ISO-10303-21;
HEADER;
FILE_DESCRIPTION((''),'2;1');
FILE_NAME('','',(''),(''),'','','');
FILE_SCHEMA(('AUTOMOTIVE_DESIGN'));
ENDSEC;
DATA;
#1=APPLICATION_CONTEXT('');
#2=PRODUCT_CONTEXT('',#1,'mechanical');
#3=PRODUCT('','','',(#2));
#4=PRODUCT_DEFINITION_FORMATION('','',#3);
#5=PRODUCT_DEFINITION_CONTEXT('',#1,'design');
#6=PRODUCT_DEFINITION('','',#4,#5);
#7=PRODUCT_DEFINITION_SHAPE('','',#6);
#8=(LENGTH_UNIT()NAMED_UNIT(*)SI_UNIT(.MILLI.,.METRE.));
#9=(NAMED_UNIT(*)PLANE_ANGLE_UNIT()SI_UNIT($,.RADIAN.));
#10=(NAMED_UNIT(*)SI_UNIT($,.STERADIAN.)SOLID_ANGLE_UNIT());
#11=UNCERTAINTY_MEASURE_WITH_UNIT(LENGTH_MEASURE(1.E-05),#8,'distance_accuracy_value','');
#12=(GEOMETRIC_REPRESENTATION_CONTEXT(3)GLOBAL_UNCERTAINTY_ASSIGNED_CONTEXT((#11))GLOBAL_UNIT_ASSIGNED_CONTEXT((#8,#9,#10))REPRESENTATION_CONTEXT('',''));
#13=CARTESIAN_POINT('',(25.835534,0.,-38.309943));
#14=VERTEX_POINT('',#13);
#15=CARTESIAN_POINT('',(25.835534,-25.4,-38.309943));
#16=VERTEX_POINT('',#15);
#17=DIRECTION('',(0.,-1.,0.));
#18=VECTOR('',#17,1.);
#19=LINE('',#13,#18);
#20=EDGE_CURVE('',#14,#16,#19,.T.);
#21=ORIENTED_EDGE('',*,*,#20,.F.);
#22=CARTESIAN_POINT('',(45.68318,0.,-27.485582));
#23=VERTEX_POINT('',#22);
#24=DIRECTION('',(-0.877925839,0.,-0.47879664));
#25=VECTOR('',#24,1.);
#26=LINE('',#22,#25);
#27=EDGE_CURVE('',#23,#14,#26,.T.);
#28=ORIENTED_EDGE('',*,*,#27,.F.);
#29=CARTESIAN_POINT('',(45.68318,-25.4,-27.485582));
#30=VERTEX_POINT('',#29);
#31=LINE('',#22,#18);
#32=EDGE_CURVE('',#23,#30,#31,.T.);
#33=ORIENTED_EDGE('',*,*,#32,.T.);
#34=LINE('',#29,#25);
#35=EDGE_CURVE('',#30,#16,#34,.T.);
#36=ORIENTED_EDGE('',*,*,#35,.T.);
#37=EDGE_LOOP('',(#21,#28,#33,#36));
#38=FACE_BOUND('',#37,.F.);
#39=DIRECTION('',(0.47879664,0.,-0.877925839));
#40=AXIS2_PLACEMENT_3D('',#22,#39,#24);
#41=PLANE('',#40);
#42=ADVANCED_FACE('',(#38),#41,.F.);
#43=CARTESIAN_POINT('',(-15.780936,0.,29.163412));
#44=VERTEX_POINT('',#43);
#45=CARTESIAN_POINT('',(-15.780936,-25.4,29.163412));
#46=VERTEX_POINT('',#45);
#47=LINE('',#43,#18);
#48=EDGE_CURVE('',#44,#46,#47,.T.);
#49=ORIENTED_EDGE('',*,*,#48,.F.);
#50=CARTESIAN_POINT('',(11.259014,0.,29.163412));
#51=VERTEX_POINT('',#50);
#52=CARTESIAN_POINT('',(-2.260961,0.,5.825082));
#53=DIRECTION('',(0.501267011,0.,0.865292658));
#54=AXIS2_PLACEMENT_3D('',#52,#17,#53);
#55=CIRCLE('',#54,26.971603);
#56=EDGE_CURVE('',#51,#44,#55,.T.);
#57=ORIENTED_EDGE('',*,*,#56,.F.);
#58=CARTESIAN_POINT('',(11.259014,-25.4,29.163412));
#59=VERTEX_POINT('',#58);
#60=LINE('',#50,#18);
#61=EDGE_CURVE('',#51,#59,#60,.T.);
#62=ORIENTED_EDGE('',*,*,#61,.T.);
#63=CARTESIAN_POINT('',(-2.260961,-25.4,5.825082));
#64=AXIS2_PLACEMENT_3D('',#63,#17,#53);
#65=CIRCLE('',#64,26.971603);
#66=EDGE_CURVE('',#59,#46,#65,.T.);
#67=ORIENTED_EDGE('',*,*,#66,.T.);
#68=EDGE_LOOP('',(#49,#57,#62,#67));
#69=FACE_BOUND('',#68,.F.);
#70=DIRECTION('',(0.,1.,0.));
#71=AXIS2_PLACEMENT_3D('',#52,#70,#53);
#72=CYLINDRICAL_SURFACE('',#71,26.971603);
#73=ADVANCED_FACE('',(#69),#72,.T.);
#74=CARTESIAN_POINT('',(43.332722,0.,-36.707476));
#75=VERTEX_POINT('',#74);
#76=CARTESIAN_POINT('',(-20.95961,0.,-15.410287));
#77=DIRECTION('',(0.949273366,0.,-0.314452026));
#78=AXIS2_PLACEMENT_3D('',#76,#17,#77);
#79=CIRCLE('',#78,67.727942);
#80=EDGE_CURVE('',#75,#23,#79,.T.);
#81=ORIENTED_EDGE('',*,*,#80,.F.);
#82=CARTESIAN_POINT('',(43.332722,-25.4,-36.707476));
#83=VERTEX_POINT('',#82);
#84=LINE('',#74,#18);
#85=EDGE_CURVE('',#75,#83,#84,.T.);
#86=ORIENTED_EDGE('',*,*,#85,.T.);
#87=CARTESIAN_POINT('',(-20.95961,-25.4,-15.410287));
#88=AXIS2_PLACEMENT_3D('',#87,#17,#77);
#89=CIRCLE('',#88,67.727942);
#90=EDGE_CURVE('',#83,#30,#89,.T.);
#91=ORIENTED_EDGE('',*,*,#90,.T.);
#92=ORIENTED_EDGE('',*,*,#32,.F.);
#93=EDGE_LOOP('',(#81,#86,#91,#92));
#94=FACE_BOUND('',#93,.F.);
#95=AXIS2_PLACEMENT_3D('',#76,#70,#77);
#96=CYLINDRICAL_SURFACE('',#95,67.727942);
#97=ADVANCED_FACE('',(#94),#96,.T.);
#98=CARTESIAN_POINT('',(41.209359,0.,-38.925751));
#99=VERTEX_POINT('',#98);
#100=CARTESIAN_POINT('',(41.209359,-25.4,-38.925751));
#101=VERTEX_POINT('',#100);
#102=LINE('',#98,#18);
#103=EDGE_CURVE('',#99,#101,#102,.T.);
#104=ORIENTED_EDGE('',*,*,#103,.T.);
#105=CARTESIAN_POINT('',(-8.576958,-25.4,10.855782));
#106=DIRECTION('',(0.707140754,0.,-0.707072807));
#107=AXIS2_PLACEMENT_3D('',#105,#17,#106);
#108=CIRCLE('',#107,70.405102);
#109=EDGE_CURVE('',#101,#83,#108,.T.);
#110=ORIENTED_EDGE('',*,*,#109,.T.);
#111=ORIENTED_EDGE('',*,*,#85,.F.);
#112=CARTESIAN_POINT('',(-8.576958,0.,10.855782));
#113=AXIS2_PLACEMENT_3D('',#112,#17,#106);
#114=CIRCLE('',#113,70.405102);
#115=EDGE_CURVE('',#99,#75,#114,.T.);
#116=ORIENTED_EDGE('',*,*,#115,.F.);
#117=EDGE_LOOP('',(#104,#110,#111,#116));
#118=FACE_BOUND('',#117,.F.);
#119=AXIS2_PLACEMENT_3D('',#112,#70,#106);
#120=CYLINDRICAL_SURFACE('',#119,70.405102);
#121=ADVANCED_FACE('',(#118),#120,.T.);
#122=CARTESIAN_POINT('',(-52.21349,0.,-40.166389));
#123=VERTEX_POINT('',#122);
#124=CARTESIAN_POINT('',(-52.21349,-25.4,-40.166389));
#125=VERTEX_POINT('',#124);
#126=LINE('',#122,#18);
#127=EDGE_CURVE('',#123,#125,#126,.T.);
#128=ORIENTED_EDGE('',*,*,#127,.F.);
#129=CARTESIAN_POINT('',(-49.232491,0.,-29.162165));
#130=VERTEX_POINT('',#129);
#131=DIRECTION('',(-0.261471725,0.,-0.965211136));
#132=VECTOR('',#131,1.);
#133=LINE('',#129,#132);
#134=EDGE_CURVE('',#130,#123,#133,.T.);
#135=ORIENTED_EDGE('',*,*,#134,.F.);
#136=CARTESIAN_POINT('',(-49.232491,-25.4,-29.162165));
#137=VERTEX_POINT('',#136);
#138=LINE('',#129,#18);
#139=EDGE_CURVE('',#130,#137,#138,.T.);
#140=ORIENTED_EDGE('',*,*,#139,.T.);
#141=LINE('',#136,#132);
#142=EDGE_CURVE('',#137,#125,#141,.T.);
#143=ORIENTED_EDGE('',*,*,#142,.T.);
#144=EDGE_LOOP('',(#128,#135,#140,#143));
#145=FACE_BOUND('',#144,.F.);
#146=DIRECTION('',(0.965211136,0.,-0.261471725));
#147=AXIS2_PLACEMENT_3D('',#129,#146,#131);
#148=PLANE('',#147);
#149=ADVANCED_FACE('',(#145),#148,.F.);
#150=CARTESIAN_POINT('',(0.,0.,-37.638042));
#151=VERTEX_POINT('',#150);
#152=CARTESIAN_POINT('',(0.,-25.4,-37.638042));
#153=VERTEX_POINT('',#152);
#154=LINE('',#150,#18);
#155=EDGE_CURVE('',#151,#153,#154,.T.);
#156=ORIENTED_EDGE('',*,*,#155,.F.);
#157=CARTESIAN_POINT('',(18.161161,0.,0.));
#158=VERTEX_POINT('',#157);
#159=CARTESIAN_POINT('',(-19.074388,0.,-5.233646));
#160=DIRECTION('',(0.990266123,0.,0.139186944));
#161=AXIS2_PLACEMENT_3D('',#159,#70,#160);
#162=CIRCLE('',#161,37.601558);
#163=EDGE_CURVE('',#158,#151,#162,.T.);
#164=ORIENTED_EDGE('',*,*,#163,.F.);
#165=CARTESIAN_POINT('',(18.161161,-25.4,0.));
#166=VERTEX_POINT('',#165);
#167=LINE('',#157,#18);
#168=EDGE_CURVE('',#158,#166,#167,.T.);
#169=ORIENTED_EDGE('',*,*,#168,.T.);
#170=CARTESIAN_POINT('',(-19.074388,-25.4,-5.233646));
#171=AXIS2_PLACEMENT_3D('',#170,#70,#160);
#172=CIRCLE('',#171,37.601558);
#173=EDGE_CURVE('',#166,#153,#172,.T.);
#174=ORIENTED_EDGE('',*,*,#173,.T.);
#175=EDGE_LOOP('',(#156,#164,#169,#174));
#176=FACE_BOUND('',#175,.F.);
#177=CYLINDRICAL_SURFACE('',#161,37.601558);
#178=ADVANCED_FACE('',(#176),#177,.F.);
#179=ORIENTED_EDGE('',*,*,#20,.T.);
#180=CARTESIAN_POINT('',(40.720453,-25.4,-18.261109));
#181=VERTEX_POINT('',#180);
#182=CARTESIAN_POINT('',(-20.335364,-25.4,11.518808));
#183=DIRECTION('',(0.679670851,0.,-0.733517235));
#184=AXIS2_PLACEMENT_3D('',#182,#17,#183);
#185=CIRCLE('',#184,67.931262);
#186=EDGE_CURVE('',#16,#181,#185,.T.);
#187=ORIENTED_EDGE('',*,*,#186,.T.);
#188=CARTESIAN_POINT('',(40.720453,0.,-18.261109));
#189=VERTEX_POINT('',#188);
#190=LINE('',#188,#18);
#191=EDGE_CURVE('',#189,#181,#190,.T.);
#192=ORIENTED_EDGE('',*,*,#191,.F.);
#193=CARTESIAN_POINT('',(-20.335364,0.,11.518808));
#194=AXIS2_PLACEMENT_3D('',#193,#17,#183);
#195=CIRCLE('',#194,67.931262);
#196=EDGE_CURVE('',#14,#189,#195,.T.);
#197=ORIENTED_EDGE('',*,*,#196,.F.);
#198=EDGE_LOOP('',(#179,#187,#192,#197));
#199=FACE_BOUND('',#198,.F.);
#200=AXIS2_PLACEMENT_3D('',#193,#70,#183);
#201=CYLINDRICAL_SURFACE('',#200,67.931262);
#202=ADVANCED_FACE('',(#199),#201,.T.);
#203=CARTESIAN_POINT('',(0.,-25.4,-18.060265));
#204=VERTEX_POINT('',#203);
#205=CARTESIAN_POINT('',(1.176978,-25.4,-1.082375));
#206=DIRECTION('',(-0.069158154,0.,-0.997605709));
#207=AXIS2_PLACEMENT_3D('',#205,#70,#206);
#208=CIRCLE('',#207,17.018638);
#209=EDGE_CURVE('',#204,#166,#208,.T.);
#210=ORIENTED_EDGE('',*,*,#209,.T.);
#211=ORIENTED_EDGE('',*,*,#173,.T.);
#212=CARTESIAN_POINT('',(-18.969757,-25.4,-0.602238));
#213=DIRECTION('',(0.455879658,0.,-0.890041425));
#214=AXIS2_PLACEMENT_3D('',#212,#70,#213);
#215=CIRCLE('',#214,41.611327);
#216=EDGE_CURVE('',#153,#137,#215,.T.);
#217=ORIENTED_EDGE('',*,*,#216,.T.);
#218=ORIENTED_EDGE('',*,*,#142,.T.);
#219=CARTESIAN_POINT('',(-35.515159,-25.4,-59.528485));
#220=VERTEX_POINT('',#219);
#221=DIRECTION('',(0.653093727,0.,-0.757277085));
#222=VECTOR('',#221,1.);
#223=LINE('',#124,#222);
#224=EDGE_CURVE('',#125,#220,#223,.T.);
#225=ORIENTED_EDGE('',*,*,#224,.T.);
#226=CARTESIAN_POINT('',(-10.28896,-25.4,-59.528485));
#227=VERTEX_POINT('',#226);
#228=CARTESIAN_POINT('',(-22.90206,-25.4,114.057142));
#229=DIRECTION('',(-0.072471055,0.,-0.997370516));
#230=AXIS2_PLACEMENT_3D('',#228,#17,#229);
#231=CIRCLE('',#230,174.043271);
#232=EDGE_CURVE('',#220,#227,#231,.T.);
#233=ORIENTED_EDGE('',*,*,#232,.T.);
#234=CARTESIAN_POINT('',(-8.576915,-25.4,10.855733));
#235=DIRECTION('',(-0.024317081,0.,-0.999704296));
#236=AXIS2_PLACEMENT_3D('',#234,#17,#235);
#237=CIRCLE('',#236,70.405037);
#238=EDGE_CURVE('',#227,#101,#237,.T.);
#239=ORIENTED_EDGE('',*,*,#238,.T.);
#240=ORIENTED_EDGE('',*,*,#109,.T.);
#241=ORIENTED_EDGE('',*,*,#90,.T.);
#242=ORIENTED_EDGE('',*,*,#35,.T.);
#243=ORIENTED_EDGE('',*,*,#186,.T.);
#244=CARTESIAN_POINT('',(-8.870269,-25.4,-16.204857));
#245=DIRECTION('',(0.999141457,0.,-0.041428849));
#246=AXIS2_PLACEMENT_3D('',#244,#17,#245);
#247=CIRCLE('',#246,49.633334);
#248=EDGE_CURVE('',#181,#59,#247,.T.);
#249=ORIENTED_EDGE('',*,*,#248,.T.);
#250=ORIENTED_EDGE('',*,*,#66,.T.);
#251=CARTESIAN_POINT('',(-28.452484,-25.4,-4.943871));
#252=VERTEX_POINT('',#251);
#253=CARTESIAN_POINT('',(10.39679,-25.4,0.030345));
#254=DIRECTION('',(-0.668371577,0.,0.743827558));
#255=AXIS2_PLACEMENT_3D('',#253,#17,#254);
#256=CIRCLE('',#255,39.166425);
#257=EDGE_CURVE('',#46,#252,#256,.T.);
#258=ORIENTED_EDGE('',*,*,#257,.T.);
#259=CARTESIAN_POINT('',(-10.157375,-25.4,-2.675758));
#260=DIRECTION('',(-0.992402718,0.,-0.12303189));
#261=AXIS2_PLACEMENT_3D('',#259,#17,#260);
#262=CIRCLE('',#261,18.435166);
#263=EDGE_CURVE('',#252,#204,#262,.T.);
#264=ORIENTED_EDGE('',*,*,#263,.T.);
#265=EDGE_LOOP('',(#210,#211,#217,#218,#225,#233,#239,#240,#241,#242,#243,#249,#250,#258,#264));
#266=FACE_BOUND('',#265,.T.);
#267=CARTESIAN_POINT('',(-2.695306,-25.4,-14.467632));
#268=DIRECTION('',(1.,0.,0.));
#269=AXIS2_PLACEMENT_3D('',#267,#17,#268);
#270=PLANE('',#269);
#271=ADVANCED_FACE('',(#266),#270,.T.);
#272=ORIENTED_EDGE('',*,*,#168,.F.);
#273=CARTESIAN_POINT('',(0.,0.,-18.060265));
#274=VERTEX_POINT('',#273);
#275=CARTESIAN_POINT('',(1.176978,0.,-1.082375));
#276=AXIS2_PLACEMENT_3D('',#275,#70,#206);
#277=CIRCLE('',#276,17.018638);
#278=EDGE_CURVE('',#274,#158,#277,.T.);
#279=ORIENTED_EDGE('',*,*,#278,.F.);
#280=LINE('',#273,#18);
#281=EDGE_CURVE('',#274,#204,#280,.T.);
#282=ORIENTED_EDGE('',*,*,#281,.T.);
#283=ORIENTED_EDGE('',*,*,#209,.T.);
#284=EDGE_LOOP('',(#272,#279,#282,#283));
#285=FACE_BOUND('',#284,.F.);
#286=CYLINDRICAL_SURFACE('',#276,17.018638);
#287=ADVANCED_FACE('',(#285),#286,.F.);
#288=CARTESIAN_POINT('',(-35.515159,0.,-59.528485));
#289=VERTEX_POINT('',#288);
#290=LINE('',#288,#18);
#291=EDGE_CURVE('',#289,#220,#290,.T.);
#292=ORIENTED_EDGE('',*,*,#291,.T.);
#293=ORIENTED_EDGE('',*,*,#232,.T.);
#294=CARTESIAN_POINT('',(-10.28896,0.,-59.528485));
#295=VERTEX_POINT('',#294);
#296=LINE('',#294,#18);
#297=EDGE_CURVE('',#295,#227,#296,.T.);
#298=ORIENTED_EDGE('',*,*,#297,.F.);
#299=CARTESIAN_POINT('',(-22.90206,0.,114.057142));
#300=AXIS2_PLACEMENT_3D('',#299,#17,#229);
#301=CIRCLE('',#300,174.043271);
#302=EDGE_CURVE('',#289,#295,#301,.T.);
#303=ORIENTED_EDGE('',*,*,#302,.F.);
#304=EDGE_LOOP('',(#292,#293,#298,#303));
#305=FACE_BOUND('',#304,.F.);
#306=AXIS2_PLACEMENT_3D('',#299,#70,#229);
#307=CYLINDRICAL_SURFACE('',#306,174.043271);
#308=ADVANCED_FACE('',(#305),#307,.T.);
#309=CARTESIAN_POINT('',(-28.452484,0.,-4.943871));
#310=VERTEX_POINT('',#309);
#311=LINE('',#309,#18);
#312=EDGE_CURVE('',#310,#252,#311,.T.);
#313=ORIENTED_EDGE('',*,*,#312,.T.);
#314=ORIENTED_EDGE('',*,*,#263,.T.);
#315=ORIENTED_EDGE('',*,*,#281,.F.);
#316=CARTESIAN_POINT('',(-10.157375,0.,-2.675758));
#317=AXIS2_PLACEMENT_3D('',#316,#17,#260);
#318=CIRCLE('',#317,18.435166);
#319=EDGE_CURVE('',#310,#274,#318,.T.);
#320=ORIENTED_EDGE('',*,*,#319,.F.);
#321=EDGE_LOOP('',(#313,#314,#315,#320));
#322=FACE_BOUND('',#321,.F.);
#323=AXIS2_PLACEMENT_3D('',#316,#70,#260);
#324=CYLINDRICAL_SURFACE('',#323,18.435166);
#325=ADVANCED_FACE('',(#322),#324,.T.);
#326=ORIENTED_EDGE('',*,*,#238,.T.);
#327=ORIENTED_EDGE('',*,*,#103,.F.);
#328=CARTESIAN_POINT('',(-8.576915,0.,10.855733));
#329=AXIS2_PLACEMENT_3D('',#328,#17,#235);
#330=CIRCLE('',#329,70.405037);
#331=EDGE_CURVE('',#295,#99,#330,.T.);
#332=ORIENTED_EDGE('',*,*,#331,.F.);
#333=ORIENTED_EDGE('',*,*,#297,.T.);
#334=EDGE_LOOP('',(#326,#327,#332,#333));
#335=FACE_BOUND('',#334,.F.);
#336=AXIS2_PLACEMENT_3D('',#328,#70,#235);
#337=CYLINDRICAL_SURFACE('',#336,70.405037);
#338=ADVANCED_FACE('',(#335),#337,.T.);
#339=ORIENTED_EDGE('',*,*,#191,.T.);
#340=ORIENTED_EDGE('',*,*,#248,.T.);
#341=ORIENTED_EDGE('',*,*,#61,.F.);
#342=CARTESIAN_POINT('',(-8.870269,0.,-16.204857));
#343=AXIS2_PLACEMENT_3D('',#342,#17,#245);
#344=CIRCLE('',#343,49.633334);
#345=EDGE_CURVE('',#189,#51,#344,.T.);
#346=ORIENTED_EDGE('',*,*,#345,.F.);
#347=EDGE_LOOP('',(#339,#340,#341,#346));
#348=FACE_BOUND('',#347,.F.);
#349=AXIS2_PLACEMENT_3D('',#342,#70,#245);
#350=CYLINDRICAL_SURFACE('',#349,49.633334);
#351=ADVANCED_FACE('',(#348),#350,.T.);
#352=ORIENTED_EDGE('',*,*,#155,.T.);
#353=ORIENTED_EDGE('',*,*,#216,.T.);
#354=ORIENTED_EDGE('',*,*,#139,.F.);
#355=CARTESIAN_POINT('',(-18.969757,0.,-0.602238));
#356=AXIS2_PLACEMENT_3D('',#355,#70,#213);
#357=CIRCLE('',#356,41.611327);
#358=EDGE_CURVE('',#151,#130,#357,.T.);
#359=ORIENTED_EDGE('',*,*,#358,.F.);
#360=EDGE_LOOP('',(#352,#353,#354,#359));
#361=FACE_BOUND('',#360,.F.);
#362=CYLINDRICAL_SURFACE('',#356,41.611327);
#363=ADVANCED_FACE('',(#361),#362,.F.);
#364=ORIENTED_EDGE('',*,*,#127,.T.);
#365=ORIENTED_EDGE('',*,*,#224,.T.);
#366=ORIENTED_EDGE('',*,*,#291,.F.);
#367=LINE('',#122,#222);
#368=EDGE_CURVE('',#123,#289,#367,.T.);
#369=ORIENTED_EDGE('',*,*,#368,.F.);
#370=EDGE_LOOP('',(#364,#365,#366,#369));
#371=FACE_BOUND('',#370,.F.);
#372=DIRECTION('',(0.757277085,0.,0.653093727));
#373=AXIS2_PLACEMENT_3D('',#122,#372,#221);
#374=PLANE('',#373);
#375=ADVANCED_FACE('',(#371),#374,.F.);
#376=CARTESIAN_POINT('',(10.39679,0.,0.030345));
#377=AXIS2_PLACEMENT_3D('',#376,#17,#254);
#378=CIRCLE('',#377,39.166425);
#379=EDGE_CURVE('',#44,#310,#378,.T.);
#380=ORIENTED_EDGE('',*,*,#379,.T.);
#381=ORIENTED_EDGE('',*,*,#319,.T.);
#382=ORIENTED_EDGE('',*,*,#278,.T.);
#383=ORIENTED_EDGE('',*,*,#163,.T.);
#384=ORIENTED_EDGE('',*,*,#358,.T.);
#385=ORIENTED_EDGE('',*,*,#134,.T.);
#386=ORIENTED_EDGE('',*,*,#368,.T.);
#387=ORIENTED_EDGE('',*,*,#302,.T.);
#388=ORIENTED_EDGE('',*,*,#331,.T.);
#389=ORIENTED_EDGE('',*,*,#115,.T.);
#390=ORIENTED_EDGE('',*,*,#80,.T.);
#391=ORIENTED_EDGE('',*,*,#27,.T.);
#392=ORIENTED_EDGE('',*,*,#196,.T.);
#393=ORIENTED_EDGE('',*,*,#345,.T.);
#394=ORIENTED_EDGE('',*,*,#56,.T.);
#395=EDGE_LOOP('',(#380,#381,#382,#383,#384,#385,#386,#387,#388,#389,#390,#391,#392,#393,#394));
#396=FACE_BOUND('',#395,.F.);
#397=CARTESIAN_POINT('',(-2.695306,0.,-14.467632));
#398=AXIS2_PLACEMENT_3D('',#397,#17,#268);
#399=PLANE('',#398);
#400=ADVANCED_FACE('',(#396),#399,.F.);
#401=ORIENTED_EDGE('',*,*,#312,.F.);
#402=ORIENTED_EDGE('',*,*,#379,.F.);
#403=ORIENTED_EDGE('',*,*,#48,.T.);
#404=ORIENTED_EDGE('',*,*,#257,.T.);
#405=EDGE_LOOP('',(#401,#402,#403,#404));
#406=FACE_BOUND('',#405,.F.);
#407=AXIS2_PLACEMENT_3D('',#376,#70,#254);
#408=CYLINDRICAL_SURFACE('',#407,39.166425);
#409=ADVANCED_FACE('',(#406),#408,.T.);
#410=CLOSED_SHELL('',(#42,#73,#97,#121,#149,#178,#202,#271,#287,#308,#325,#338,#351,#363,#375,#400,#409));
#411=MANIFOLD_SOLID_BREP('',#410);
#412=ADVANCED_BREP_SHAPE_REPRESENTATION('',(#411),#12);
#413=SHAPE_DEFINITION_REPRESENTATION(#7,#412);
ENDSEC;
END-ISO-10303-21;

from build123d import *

# Parameters (mm, degrees)
F1_DEPTH = 25.4


with BuildPart() as f1:
    # F0 (on Front) → F1 (new body)
    with BuildSketch(Plane.XZ):
        with BuildLine():
            ThreePointArc((-15.780936, 29.163412), (-26.317708, 13.670527), (-28.452484, -4.943871))
            ThreePointArc((-28.452484, -4.943871), (-17.875252, -19.417613), (0, -18.060265))
            ThreePointArc((0, -18.060265), (-10.823449, 10.985093), (18.161161, 0))
            ThreePointArc((18.161161, 0), (14.790901, -21.574373), (0, -37.638042))
            ThreePointArc((0, -37.638042), (-26.029712, -41.61028), (-49.232491, -29.162165))
            Line((-49.232491, -29.162165), (-34.052868, -51.277125))
            ThreePointArc((-34.052868, -51.277125), (-11.834615, -51.590229), (10.250061, -49.137501))
            ThreePointArc((10.250061, -49.137501), (18.422762, -44.270653), (25.835534, -38.309943))
            ThreePointArc((25.835534, -38.309943), (34.207106, -28.97533), (40.720453, -18.261109))
            ThreePointArc((40.720453, -18.261109), (33.290033, 9.986302), (11.259014, 29.163412))
            ThreePointArc((11.259014, 29.163412), (-2.260961, 32.796685), (-15.780936, 29.163412))
        make_face()
        with BuildLine():
            Line((-34.052868, -51.277125), (-49.232491, -29.162165))
            Line((-49.232491, -29.162165), (-52.21349, -40.166389))
            Line((-52.21349, -40.166389), (-35.515159, -59.528485))
            ThreePointArc((-35.515159, -59.528485), (-22.90206, -59.986129), (-10.28896, -59.528485))
            ThreePointArc((-10.28896, -59.528485), (17.574586, -54.512212), (41.209359, -38.925751))
            Line((41.209359, -38.925751), (25.835534, -38.309943))
            ThreePointArc((25.835534, -38.309943), (18.422762, -44.270653), (10.250061, -49.137501))
            ThreePointArc((10.250061, -49.137501), (-11.834615, -51.590229), (-34.052868, -51.277125))
        make_face()
        with BuildLine():
            Line((45.68318, -27.485582), (25.835534, -38.309943))
            Line((25.835534, -38.309943), (41.209359, -38.925751))
            ThreePointArc((41.209359, -38.925751), (42.283136, -37.828191), (43.332722, -36.707476))
            ThreePointArc((43.332722, -36.707476), (44.670127, -32.137864), (45.68318, -27.485582))
        make_face()
    extrude(amount=F1_DEPTH)


solid = f1.part
